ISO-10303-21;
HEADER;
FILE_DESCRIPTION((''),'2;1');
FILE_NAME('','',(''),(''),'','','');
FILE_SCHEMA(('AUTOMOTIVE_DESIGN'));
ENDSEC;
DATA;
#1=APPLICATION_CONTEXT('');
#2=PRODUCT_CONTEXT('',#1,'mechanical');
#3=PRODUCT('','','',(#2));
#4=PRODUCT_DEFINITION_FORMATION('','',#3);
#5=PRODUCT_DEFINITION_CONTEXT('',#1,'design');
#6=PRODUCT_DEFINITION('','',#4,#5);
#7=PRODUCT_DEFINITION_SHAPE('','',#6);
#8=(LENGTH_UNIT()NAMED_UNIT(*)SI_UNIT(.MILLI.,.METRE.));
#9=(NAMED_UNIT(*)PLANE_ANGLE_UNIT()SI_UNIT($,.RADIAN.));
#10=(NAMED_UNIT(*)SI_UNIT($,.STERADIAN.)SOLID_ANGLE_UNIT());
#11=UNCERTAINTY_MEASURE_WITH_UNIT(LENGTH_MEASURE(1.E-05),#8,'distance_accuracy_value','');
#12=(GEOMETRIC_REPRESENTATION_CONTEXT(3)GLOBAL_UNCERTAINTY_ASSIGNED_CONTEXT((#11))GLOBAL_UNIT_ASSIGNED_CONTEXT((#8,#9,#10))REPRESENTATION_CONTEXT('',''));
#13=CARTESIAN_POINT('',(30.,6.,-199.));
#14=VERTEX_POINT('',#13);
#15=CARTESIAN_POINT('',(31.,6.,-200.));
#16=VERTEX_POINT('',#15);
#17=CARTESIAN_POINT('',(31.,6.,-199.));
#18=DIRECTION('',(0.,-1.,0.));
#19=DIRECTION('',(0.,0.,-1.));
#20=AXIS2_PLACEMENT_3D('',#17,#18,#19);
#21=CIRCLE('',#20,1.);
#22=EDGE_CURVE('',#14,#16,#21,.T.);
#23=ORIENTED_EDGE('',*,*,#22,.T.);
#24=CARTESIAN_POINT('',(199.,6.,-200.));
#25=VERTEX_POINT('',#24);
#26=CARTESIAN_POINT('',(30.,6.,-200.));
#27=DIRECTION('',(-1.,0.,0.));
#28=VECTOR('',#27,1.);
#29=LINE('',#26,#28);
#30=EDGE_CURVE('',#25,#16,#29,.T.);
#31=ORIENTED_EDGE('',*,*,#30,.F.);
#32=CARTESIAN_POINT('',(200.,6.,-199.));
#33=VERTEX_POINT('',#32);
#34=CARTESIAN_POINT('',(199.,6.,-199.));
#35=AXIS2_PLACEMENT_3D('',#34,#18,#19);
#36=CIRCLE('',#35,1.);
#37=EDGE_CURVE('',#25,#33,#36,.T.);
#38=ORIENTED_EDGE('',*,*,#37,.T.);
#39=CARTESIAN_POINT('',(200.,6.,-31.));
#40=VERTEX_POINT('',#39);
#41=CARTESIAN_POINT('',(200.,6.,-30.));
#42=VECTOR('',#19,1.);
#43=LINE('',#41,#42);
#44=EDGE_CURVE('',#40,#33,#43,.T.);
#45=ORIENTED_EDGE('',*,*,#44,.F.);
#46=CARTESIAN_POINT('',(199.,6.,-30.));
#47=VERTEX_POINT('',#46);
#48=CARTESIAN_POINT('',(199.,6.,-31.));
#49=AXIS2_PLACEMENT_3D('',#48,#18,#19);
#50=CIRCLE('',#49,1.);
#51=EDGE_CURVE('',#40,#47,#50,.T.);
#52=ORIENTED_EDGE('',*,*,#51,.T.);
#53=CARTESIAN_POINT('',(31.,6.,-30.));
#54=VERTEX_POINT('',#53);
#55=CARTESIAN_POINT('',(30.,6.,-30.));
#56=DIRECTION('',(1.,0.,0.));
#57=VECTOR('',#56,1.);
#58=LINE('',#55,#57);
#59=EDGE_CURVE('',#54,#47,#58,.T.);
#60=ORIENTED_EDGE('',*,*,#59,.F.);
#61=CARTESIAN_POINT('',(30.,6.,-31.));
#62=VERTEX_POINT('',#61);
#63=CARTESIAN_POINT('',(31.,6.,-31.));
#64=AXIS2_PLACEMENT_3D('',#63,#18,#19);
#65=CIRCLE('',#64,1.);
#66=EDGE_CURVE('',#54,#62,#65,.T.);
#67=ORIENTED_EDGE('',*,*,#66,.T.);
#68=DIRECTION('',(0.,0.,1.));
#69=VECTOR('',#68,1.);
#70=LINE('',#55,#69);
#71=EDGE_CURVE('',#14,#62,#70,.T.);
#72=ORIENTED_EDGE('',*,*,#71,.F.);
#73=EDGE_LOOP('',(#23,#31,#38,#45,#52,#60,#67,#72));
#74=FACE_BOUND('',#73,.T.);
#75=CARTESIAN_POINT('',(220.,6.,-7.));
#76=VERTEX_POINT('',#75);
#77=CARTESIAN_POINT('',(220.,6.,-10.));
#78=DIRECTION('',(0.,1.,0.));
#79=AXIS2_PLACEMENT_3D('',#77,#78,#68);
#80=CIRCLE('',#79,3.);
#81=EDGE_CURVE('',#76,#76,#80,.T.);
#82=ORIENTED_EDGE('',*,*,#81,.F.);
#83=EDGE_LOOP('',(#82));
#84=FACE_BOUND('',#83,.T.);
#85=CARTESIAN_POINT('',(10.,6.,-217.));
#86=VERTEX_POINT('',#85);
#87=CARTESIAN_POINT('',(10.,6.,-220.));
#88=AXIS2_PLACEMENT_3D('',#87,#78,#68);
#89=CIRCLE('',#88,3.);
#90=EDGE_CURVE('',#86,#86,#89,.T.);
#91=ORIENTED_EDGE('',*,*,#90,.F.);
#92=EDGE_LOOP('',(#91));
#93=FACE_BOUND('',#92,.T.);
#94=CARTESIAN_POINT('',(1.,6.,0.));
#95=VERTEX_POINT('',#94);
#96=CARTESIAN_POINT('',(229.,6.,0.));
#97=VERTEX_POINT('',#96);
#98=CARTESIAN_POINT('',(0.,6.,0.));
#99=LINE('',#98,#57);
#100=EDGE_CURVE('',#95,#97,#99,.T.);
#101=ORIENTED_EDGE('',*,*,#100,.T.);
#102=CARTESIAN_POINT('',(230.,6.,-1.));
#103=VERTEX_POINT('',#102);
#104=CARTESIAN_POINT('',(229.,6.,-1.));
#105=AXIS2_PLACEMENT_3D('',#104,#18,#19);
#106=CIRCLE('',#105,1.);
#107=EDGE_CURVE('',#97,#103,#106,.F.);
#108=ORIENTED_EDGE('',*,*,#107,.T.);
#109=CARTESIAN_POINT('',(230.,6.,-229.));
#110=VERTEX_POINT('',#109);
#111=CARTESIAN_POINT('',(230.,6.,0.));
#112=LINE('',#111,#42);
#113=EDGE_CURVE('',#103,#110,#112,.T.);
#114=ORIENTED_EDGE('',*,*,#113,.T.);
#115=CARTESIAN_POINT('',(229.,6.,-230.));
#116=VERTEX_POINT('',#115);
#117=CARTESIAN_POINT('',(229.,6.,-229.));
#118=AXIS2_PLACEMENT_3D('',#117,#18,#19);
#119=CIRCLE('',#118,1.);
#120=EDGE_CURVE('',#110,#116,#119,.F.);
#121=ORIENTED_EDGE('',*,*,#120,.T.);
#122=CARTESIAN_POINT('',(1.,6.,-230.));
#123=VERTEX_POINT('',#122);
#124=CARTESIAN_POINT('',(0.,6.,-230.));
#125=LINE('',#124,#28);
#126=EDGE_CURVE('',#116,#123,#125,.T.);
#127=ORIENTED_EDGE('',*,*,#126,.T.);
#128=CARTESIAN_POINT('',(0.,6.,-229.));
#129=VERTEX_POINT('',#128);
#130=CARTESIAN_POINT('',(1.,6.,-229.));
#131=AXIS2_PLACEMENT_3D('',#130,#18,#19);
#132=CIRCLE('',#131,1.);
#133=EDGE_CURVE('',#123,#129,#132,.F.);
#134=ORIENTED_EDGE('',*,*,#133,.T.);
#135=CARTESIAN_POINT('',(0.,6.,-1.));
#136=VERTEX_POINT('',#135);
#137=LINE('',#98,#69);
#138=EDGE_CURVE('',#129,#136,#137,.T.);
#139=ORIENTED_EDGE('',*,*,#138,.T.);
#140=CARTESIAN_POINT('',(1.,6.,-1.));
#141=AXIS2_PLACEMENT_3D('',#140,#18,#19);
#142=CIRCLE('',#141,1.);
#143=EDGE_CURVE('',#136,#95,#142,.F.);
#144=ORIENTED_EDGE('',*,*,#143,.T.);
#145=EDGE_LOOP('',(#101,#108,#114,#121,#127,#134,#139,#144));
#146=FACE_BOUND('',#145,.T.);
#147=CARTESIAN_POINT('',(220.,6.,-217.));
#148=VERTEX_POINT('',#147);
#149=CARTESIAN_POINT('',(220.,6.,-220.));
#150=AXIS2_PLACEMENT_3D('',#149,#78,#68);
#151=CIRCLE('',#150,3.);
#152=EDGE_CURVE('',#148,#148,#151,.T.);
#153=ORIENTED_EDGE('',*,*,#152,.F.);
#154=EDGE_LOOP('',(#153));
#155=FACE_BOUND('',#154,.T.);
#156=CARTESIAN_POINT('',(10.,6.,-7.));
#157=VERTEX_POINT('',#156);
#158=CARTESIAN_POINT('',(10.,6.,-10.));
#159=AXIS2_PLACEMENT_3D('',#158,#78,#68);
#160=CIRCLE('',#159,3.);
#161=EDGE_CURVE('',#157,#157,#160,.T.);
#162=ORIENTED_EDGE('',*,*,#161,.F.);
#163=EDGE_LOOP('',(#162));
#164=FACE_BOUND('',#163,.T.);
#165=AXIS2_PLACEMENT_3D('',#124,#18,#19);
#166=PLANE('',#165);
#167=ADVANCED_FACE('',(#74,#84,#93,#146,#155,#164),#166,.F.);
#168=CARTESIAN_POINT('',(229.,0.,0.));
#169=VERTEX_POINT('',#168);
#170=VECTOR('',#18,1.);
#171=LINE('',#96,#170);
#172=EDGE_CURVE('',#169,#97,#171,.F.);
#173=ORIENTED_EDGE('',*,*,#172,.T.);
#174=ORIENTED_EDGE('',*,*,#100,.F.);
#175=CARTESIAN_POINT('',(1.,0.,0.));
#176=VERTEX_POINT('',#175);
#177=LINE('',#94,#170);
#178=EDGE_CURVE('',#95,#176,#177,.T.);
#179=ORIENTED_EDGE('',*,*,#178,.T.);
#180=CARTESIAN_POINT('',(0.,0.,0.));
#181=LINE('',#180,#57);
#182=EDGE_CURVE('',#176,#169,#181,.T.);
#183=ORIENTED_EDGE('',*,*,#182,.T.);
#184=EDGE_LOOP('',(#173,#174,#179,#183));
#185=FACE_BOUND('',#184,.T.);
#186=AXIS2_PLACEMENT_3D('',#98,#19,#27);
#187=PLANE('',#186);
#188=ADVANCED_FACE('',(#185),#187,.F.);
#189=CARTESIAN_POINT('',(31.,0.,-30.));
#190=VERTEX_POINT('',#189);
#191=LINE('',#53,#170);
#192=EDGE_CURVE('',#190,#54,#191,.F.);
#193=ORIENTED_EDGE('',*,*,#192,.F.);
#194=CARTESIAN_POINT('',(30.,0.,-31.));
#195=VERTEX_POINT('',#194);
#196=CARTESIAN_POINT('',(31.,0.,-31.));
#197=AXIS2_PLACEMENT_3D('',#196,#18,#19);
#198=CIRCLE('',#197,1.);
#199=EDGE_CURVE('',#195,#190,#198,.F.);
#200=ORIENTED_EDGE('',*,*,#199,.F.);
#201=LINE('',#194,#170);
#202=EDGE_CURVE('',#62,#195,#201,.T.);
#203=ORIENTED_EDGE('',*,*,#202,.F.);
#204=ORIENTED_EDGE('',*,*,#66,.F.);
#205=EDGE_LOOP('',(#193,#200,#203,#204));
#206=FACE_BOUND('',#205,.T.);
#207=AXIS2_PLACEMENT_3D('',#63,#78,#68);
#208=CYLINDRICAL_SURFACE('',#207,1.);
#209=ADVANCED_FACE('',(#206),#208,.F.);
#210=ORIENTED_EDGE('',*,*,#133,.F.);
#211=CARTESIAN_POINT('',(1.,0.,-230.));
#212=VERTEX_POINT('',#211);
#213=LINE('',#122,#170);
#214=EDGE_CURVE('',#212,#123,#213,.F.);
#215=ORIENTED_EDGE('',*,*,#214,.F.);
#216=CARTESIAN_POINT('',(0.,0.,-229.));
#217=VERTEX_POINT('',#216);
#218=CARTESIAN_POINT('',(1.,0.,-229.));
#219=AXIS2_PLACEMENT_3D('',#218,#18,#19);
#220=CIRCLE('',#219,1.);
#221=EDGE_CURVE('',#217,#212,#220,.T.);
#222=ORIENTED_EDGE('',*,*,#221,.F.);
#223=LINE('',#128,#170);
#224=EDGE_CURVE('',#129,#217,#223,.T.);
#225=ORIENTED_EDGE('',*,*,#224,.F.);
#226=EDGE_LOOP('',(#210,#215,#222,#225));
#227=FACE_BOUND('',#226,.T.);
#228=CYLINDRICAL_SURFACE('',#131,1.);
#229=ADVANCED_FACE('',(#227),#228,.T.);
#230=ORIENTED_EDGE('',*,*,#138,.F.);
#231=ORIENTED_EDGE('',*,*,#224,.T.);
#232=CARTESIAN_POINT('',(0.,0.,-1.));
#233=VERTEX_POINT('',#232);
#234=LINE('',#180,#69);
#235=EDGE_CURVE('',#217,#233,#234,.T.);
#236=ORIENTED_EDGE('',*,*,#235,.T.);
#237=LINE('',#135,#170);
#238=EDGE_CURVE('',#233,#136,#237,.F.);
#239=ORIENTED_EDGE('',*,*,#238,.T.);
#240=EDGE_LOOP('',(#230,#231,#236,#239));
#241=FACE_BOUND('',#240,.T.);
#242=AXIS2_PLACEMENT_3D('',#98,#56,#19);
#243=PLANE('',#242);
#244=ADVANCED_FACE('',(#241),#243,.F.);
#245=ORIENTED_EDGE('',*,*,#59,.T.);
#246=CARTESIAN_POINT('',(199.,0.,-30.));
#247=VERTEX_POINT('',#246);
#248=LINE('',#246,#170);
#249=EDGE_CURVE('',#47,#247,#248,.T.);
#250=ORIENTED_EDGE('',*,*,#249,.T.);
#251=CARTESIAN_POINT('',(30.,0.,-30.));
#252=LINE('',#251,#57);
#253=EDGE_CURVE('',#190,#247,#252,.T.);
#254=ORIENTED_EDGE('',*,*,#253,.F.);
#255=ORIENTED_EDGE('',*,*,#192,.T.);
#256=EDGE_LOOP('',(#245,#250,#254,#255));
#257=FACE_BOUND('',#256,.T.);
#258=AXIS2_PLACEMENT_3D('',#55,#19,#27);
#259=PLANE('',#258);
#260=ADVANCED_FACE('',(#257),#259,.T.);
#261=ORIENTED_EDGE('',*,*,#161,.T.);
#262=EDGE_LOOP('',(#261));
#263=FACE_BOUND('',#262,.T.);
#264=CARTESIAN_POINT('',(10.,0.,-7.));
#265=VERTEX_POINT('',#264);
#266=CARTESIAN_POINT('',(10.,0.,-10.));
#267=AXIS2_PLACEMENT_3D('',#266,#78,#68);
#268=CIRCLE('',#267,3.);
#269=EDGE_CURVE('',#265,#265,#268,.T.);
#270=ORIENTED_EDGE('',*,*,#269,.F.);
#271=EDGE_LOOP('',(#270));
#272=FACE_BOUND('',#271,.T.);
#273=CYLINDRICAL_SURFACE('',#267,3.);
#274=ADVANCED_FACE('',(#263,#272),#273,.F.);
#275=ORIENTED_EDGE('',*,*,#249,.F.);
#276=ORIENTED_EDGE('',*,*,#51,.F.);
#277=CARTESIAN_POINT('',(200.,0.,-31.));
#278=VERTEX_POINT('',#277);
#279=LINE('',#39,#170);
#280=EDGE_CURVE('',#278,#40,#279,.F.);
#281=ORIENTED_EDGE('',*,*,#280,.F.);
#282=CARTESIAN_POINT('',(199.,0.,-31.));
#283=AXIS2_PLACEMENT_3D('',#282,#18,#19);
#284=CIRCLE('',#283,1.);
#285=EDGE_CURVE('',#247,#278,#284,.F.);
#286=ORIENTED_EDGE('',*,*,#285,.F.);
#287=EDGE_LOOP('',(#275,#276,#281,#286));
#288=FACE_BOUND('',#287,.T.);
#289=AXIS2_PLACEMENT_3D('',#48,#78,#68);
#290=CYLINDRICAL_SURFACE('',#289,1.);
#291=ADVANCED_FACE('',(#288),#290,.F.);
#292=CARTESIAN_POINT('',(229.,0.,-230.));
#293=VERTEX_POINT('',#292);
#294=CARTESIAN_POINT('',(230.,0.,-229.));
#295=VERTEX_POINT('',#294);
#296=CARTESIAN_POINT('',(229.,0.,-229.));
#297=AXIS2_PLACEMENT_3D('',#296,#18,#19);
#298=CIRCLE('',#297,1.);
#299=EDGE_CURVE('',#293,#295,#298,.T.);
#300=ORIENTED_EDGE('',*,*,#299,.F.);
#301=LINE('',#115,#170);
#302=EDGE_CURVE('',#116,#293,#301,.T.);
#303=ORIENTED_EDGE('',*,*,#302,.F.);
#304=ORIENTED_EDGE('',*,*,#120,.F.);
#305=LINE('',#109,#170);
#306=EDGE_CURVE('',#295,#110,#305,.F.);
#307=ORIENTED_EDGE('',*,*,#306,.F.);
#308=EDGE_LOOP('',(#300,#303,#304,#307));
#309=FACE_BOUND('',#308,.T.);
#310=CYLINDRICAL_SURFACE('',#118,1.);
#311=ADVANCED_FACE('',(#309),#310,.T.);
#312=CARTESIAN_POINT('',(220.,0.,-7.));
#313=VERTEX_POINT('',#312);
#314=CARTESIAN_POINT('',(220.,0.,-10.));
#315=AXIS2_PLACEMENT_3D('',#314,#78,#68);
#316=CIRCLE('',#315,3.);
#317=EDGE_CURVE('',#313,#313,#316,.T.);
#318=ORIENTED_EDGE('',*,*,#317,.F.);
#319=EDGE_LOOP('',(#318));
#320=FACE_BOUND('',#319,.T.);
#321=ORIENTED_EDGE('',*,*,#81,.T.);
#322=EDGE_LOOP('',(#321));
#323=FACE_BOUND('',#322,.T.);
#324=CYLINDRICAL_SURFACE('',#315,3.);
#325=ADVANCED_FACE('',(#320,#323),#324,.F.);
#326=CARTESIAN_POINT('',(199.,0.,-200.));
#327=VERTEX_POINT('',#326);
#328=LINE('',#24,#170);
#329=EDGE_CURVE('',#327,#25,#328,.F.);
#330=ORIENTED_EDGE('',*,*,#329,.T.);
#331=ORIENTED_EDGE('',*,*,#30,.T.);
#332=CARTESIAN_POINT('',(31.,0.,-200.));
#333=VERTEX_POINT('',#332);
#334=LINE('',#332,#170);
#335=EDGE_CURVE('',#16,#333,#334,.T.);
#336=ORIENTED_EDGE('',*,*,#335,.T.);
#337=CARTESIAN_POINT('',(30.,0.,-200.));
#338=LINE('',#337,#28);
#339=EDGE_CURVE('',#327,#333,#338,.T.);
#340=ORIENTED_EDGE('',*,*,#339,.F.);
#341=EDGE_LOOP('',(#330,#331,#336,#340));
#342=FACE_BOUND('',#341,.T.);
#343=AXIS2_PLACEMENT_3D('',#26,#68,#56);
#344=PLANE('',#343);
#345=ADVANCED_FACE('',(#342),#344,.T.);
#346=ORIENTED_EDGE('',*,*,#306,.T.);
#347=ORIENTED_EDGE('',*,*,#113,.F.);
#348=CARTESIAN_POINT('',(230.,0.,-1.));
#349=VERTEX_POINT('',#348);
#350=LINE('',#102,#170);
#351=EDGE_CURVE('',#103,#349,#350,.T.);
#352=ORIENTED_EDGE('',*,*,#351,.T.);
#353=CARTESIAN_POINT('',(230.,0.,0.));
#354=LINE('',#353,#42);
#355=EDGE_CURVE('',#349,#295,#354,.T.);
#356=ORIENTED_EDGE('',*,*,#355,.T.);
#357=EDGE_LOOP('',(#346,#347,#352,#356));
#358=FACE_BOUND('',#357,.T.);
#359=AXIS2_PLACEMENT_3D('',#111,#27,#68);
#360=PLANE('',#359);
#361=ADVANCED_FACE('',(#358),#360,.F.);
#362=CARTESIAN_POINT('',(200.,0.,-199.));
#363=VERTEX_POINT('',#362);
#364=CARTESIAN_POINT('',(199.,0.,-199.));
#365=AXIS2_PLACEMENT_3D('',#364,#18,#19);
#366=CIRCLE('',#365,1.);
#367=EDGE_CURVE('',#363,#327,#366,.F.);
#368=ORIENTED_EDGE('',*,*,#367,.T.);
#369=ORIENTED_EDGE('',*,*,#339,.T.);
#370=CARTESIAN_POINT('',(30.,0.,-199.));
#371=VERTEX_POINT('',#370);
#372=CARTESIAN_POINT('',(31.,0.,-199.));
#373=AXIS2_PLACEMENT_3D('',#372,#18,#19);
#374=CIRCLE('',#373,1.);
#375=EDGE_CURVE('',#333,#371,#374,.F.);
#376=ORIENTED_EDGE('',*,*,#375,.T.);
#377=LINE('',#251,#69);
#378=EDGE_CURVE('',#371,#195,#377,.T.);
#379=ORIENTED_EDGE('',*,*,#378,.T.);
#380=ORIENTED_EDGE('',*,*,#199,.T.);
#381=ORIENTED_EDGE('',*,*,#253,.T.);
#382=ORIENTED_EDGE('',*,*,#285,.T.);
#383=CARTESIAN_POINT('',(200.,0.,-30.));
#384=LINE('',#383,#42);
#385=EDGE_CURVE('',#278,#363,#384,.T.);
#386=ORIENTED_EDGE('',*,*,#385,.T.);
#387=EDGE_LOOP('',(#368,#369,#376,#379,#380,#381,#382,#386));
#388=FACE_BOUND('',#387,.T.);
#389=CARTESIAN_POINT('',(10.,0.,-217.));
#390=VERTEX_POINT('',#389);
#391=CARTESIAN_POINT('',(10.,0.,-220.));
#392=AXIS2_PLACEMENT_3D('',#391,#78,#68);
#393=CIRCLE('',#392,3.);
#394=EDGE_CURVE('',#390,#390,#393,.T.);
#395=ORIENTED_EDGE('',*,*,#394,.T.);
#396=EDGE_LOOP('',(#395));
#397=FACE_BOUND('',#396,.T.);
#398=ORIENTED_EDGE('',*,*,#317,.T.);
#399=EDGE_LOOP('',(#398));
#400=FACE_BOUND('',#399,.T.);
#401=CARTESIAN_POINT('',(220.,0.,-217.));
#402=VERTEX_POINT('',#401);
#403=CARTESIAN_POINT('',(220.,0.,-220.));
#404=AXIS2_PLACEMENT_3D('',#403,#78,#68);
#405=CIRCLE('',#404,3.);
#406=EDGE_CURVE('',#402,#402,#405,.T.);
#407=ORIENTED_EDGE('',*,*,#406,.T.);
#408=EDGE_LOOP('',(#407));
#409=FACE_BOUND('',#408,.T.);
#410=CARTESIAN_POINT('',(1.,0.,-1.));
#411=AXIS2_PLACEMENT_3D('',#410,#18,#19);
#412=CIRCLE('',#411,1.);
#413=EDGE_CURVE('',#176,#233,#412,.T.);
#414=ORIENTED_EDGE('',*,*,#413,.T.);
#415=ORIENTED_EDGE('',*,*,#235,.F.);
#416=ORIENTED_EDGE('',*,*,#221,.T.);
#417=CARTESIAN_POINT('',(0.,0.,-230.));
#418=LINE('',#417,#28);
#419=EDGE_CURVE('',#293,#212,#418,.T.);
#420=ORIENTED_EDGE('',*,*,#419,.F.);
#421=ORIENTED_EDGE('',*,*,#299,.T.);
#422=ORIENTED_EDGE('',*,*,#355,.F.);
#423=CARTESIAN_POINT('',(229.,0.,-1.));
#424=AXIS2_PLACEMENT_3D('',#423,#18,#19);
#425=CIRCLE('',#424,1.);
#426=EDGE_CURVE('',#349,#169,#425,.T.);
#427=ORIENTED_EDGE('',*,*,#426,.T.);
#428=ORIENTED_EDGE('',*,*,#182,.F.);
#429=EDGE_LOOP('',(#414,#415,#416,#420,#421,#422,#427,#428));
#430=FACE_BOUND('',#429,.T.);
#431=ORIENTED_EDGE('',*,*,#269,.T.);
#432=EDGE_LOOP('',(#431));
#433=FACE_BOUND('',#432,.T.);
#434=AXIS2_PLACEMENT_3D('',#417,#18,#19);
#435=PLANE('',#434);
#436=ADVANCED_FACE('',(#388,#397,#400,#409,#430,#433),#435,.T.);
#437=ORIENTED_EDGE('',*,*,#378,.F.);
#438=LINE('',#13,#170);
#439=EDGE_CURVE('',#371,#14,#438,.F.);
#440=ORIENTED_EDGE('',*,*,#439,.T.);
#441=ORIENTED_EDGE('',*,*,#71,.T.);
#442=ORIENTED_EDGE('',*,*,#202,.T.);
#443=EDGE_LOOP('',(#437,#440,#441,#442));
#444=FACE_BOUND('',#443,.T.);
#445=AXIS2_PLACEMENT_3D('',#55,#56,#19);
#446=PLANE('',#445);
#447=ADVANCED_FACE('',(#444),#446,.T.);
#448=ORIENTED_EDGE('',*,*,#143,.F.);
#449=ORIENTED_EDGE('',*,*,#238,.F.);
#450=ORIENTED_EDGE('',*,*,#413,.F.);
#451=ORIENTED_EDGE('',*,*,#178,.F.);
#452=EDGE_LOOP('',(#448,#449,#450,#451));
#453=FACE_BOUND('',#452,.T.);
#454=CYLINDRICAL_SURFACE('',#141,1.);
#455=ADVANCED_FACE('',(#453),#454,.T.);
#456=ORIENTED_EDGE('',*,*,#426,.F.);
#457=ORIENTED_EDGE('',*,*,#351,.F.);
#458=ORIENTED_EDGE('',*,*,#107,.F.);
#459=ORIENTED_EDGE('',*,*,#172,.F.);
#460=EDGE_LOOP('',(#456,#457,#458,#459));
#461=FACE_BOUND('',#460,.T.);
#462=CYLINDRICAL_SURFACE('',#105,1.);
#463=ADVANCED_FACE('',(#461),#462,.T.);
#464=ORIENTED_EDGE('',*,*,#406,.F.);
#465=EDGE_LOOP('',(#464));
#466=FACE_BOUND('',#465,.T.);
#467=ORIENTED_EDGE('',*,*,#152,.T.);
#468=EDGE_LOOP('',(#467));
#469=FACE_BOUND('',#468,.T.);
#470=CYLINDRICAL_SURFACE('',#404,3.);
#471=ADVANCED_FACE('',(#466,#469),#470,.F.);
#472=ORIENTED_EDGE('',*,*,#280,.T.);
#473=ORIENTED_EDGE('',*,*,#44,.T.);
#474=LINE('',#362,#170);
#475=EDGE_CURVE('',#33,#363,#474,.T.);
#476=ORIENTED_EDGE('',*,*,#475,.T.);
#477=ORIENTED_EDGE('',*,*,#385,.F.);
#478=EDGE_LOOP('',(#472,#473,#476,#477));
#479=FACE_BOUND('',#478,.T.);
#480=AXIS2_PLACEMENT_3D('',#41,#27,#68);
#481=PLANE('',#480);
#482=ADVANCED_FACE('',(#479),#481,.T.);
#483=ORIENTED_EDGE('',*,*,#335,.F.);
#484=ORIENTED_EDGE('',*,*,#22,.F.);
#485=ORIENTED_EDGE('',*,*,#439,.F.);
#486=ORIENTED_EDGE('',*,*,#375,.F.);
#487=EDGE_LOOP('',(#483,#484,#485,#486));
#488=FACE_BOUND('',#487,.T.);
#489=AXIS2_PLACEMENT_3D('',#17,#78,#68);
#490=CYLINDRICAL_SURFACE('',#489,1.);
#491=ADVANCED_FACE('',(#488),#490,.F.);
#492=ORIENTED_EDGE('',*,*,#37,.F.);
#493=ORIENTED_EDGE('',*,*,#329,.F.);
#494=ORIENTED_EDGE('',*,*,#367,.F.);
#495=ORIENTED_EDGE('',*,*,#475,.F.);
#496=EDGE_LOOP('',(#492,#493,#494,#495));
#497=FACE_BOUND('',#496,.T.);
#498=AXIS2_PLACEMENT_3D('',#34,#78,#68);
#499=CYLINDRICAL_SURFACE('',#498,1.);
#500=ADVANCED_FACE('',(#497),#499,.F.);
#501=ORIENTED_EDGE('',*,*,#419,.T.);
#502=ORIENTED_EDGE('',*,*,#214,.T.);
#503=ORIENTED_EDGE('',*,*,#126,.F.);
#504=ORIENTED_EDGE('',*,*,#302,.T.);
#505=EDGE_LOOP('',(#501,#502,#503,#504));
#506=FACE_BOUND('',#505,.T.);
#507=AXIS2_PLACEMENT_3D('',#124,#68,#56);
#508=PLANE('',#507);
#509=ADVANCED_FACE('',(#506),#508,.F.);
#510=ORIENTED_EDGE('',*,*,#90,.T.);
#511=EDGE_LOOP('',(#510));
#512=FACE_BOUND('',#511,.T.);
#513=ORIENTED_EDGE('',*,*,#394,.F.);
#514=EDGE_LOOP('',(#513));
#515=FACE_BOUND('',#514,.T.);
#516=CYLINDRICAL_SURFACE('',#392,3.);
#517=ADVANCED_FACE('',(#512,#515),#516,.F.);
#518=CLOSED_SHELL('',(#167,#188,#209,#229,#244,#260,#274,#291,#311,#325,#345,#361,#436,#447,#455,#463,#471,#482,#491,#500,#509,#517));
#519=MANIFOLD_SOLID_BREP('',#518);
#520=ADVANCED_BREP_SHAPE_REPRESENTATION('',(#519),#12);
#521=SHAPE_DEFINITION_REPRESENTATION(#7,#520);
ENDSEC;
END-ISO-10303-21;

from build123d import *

# Parameters (mm, degrees)
SKETCH1_W          = 230
SKETCH1_H          = 230
SKETCH1_W_2        = 170
SKETCH1_H_2        = 170
BORDER_DEPTH       = 6
SKETCH2_R          = 3
CUT_EXTRUDE1_DEPTH = 326.324453431
FILLET1_R          = 1


with BuildPart() as part:
    # Sketch1 → border (new body)
    with BuildSketch(Plane(origin=(0, 0, 0), x_dir=(1, 0, 0), z_dir=(0, 1, 0))):
        with Locations((115, 115)):
            Rectangle(SKETCH1_W, SKETCH1_H)
        with Locations((115, 115)):
            Rectangle(SKETCH1_W_2, SKETCH1_H_2, mode=Mode.SUBTRACT)
    extrude(amount=BORDER_DEPTH)

    # Sketch2 → Cut-Extrude1 (cut, through all)
    with BuildSketch(Plane(origin=(0, 6, 0), x_dir=(1, 0, 0), z_dir=(0, 1, 0))):
        with Locations(Location((10, 220, 0), (0, 0, 270))):
            Circle(SKETCH2_R)
        with Locations(Location((220, 220, 0), (0, 0, 270))):
            Circle(SKETCH2_R)
        with Locations(Location((220, 10, 0), (0, 0, 270))):
            Circle(SKETCH2_R)
        with Locations(Location((10, 10, 0), (0, 0, 270))):
            Circle(SKETCH2_R)
    extrude(amount=-CUT_EXTRUDE1_DEPTH, mode=Mode.SUBTRACT)

    # Fillet1
    fillet1_edges = [part.edges().sort_by_distance(p)[0] for p in [
        (30, 3, -200),
        (30, 3, -30),
        (200, 3, -30),
        (200, 3, -200),
        (0, 3, -230),
        (230, 3, -230),
        (230, 3, 0),
        (0, 3, 0),
    ]]
    fillet(fillet1_edges, radius=FILLET1_R)


solid = part.part
